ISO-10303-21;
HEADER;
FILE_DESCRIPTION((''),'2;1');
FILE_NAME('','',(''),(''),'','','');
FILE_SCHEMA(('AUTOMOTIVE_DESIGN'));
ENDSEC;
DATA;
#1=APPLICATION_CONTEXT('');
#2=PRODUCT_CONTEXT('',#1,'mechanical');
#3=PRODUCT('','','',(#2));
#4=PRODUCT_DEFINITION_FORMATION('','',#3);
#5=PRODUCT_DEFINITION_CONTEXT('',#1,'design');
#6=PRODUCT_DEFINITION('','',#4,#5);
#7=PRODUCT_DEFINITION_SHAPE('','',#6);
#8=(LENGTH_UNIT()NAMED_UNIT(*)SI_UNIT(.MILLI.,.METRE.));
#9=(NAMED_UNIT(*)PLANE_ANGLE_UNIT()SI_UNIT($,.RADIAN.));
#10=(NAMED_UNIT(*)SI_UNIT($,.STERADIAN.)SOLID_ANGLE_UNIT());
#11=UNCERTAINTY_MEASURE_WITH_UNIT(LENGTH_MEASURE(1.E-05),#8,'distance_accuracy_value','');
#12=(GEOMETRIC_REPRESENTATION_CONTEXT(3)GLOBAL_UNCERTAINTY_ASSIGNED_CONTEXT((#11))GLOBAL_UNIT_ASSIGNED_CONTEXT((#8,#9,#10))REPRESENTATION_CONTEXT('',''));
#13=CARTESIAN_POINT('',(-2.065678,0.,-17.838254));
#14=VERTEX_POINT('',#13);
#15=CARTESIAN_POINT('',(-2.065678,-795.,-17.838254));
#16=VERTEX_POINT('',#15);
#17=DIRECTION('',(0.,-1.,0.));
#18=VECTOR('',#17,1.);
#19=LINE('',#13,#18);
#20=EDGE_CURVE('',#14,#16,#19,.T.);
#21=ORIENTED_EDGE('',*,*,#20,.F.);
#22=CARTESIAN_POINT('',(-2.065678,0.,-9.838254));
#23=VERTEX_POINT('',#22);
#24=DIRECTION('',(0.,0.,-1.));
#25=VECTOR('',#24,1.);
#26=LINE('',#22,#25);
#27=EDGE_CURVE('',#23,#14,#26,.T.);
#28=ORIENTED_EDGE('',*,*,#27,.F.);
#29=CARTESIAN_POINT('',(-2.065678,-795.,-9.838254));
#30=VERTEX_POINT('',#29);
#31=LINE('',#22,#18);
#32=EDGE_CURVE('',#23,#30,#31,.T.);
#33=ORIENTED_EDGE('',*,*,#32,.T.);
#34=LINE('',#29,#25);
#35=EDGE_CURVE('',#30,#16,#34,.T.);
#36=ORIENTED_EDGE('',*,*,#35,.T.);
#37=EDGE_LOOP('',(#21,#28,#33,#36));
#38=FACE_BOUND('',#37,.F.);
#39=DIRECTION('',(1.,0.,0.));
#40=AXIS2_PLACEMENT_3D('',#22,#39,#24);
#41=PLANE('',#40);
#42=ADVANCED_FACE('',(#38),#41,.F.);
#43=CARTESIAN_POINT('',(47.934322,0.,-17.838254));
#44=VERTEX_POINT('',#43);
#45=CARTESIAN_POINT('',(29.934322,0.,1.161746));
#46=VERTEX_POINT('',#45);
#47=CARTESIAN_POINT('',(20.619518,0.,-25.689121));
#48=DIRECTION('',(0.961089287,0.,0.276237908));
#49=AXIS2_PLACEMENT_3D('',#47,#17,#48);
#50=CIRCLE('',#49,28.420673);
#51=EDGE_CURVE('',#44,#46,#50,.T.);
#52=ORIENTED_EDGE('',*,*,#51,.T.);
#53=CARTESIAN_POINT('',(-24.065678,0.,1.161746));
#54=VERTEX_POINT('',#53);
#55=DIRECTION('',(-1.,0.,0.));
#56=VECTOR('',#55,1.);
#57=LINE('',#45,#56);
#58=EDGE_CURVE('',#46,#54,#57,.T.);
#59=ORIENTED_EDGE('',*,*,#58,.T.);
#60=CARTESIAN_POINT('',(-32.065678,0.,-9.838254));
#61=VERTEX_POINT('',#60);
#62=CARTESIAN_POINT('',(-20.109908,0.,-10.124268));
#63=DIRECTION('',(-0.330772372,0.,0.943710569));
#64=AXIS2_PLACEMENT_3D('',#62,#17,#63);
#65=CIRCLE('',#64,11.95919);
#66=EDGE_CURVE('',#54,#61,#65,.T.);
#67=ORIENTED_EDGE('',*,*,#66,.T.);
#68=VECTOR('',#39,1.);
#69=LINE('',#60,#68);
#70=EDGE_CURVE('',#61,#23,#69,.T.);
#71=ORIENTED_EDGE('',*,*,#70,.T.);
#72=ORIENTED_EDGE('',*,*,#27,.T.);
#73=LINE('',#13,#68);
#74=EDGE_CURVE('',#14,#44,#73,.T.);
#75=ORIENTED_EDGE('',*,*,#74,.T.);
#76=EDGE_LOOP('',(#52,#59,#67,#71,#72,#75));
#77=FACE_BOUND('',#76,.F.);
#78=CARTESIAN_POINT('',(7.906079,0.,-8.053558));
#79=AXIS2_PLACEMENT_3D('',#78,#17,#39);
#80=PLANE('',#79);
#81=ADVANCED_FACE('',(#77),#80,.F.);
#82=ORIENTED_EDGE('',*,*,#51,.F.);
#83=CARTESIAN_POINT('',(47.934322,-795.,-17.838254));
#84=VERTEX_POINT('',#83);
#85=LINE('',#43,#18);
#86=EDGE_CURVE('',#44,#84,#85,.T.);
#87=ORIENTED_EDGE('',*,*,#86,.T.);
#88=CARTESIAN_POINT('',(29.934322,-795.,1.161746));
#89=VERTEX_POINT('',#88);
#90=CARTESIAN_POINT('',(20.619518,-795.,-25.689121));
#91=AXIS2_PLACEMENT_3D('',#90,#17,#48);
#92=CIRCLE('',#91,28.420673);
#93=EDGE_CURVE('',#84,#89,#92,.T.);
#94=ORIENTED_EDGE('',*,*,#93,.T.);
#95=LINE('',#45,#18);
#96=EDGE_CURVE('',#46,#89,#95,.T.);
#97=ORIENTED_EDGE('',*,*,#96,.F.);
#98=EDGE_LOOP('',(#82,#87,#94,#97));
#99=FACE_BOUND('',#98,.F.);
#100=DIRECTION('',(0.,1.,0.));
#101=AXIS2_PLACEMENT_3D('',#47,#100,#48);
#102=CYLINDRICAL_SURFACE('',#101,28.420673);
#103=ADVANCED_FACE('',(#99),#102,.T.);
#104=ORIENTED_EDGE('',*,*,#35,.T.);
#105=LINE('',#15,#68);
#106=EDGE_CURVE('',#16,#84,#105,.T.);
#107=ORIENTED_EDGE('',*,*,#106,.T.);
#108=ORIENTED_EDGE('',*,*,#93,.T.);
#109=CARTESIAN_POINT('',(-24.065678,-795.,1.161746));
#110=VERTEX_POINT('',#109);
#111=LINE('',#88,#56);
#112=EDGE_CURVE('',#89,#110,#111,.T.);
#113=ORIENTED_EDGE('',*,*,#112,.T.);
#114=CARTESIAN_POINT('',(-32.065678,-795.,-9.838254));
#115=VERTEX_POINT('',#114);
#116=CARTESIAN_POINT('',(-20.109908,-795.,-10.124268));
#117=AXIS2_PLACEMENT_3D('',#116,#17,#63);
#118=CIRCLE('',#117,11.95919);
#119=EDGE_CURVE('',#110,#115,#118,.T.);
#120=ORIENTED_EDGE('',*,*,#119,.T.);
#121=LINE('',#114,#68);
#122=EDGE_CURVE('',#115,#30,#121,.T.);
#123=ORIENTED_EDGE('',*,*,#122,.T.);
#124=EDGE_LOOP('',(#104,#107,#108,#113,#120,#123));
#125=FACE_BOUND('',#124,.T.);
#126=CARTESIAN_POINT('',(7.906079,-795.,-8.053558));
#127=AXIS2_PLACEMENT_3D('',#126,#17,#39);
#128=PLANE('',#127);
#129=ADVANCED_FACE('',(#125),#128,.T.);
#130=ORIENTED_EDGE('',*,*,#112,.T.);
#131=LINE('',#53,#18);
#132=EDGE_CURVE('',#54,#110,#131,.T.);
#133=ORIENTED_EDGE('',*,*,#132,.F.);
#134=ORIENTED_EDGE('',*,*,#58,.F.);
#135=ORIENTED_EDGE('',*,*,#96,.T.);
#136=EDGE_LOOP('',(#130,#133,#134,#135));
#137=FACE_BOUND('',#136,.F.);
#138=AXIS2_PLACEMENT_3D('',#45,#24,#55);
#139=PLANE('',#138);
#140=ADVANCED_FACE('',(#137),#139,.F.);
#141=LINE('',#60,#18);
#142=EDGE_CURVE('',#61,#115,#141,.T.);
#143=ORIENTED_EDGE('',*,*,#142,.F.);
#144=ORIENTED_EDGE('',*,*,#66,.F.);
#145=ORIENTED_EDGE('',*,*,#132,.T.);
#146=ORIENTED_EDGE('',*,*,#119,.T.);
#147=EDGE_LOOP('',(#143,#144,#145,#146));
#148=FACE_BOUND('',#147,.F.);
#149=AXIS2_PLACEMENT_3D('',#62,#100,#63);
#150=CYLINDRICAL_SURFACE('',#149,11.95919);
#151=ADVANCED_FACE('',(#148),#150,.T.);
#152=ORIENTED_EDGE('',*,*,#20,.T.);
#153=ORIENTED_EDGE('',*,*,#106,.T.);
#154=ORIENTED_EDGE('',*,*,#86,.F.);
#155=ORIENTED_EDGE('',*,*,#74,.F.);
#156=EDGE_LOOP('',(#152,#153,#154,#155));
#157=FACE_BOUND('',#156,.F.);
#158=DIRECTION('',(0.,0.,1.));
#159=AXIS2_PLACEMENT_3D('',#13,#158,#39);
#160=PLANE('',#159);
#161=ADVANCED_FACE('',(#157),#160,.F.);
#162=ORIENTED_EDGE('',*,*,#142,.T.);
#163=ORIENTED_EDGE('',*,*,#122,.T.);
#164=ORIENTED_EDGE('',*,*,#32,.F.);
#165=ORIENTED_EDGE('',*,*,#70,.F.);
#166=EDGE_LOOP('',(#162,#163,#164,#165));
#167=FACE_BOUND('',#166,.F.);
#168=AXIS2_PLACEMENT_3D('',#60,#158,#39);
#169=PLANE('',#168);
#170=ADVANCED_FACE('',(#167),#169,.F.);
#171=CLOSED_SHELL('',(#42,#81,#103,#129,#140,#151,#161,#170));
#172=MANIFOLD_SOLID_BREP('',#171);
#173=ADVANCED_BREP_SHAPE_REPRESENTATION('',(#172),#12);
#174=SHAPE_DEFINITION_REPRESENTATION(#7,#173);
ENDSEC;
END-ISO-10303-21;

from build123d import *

# Parameters (mm, degrees)
F1_DEPTH = 795


with BuildPart() as f1:
    # F0 (on Front) → F1 (new body)
    with BuildSketch(Plane.XZ):
        with BuildLine():
            ThreePointArc((-24.065678, 1.161746), (-29.781737, -3.090211), (-32.065678, -9.838254))
            Line((-32.065678, -9.838254), (-2.065678, -9.838254))
            Line((-2.065678, -9.838254), (-2.065678, -17.838254))
            Line((-2.065678, -17.838254), (47.934322, -17.838254))
            ThreePointArc((47.934322, -17.838254), (41.251581, -6.142955), (29.934322, 1.161746))
            Line((29.934322, 1.161746), (-24.065678, 1.161746))
        make_face()
    extrude(amount=F1_DEPTH)


solid = f1.part
